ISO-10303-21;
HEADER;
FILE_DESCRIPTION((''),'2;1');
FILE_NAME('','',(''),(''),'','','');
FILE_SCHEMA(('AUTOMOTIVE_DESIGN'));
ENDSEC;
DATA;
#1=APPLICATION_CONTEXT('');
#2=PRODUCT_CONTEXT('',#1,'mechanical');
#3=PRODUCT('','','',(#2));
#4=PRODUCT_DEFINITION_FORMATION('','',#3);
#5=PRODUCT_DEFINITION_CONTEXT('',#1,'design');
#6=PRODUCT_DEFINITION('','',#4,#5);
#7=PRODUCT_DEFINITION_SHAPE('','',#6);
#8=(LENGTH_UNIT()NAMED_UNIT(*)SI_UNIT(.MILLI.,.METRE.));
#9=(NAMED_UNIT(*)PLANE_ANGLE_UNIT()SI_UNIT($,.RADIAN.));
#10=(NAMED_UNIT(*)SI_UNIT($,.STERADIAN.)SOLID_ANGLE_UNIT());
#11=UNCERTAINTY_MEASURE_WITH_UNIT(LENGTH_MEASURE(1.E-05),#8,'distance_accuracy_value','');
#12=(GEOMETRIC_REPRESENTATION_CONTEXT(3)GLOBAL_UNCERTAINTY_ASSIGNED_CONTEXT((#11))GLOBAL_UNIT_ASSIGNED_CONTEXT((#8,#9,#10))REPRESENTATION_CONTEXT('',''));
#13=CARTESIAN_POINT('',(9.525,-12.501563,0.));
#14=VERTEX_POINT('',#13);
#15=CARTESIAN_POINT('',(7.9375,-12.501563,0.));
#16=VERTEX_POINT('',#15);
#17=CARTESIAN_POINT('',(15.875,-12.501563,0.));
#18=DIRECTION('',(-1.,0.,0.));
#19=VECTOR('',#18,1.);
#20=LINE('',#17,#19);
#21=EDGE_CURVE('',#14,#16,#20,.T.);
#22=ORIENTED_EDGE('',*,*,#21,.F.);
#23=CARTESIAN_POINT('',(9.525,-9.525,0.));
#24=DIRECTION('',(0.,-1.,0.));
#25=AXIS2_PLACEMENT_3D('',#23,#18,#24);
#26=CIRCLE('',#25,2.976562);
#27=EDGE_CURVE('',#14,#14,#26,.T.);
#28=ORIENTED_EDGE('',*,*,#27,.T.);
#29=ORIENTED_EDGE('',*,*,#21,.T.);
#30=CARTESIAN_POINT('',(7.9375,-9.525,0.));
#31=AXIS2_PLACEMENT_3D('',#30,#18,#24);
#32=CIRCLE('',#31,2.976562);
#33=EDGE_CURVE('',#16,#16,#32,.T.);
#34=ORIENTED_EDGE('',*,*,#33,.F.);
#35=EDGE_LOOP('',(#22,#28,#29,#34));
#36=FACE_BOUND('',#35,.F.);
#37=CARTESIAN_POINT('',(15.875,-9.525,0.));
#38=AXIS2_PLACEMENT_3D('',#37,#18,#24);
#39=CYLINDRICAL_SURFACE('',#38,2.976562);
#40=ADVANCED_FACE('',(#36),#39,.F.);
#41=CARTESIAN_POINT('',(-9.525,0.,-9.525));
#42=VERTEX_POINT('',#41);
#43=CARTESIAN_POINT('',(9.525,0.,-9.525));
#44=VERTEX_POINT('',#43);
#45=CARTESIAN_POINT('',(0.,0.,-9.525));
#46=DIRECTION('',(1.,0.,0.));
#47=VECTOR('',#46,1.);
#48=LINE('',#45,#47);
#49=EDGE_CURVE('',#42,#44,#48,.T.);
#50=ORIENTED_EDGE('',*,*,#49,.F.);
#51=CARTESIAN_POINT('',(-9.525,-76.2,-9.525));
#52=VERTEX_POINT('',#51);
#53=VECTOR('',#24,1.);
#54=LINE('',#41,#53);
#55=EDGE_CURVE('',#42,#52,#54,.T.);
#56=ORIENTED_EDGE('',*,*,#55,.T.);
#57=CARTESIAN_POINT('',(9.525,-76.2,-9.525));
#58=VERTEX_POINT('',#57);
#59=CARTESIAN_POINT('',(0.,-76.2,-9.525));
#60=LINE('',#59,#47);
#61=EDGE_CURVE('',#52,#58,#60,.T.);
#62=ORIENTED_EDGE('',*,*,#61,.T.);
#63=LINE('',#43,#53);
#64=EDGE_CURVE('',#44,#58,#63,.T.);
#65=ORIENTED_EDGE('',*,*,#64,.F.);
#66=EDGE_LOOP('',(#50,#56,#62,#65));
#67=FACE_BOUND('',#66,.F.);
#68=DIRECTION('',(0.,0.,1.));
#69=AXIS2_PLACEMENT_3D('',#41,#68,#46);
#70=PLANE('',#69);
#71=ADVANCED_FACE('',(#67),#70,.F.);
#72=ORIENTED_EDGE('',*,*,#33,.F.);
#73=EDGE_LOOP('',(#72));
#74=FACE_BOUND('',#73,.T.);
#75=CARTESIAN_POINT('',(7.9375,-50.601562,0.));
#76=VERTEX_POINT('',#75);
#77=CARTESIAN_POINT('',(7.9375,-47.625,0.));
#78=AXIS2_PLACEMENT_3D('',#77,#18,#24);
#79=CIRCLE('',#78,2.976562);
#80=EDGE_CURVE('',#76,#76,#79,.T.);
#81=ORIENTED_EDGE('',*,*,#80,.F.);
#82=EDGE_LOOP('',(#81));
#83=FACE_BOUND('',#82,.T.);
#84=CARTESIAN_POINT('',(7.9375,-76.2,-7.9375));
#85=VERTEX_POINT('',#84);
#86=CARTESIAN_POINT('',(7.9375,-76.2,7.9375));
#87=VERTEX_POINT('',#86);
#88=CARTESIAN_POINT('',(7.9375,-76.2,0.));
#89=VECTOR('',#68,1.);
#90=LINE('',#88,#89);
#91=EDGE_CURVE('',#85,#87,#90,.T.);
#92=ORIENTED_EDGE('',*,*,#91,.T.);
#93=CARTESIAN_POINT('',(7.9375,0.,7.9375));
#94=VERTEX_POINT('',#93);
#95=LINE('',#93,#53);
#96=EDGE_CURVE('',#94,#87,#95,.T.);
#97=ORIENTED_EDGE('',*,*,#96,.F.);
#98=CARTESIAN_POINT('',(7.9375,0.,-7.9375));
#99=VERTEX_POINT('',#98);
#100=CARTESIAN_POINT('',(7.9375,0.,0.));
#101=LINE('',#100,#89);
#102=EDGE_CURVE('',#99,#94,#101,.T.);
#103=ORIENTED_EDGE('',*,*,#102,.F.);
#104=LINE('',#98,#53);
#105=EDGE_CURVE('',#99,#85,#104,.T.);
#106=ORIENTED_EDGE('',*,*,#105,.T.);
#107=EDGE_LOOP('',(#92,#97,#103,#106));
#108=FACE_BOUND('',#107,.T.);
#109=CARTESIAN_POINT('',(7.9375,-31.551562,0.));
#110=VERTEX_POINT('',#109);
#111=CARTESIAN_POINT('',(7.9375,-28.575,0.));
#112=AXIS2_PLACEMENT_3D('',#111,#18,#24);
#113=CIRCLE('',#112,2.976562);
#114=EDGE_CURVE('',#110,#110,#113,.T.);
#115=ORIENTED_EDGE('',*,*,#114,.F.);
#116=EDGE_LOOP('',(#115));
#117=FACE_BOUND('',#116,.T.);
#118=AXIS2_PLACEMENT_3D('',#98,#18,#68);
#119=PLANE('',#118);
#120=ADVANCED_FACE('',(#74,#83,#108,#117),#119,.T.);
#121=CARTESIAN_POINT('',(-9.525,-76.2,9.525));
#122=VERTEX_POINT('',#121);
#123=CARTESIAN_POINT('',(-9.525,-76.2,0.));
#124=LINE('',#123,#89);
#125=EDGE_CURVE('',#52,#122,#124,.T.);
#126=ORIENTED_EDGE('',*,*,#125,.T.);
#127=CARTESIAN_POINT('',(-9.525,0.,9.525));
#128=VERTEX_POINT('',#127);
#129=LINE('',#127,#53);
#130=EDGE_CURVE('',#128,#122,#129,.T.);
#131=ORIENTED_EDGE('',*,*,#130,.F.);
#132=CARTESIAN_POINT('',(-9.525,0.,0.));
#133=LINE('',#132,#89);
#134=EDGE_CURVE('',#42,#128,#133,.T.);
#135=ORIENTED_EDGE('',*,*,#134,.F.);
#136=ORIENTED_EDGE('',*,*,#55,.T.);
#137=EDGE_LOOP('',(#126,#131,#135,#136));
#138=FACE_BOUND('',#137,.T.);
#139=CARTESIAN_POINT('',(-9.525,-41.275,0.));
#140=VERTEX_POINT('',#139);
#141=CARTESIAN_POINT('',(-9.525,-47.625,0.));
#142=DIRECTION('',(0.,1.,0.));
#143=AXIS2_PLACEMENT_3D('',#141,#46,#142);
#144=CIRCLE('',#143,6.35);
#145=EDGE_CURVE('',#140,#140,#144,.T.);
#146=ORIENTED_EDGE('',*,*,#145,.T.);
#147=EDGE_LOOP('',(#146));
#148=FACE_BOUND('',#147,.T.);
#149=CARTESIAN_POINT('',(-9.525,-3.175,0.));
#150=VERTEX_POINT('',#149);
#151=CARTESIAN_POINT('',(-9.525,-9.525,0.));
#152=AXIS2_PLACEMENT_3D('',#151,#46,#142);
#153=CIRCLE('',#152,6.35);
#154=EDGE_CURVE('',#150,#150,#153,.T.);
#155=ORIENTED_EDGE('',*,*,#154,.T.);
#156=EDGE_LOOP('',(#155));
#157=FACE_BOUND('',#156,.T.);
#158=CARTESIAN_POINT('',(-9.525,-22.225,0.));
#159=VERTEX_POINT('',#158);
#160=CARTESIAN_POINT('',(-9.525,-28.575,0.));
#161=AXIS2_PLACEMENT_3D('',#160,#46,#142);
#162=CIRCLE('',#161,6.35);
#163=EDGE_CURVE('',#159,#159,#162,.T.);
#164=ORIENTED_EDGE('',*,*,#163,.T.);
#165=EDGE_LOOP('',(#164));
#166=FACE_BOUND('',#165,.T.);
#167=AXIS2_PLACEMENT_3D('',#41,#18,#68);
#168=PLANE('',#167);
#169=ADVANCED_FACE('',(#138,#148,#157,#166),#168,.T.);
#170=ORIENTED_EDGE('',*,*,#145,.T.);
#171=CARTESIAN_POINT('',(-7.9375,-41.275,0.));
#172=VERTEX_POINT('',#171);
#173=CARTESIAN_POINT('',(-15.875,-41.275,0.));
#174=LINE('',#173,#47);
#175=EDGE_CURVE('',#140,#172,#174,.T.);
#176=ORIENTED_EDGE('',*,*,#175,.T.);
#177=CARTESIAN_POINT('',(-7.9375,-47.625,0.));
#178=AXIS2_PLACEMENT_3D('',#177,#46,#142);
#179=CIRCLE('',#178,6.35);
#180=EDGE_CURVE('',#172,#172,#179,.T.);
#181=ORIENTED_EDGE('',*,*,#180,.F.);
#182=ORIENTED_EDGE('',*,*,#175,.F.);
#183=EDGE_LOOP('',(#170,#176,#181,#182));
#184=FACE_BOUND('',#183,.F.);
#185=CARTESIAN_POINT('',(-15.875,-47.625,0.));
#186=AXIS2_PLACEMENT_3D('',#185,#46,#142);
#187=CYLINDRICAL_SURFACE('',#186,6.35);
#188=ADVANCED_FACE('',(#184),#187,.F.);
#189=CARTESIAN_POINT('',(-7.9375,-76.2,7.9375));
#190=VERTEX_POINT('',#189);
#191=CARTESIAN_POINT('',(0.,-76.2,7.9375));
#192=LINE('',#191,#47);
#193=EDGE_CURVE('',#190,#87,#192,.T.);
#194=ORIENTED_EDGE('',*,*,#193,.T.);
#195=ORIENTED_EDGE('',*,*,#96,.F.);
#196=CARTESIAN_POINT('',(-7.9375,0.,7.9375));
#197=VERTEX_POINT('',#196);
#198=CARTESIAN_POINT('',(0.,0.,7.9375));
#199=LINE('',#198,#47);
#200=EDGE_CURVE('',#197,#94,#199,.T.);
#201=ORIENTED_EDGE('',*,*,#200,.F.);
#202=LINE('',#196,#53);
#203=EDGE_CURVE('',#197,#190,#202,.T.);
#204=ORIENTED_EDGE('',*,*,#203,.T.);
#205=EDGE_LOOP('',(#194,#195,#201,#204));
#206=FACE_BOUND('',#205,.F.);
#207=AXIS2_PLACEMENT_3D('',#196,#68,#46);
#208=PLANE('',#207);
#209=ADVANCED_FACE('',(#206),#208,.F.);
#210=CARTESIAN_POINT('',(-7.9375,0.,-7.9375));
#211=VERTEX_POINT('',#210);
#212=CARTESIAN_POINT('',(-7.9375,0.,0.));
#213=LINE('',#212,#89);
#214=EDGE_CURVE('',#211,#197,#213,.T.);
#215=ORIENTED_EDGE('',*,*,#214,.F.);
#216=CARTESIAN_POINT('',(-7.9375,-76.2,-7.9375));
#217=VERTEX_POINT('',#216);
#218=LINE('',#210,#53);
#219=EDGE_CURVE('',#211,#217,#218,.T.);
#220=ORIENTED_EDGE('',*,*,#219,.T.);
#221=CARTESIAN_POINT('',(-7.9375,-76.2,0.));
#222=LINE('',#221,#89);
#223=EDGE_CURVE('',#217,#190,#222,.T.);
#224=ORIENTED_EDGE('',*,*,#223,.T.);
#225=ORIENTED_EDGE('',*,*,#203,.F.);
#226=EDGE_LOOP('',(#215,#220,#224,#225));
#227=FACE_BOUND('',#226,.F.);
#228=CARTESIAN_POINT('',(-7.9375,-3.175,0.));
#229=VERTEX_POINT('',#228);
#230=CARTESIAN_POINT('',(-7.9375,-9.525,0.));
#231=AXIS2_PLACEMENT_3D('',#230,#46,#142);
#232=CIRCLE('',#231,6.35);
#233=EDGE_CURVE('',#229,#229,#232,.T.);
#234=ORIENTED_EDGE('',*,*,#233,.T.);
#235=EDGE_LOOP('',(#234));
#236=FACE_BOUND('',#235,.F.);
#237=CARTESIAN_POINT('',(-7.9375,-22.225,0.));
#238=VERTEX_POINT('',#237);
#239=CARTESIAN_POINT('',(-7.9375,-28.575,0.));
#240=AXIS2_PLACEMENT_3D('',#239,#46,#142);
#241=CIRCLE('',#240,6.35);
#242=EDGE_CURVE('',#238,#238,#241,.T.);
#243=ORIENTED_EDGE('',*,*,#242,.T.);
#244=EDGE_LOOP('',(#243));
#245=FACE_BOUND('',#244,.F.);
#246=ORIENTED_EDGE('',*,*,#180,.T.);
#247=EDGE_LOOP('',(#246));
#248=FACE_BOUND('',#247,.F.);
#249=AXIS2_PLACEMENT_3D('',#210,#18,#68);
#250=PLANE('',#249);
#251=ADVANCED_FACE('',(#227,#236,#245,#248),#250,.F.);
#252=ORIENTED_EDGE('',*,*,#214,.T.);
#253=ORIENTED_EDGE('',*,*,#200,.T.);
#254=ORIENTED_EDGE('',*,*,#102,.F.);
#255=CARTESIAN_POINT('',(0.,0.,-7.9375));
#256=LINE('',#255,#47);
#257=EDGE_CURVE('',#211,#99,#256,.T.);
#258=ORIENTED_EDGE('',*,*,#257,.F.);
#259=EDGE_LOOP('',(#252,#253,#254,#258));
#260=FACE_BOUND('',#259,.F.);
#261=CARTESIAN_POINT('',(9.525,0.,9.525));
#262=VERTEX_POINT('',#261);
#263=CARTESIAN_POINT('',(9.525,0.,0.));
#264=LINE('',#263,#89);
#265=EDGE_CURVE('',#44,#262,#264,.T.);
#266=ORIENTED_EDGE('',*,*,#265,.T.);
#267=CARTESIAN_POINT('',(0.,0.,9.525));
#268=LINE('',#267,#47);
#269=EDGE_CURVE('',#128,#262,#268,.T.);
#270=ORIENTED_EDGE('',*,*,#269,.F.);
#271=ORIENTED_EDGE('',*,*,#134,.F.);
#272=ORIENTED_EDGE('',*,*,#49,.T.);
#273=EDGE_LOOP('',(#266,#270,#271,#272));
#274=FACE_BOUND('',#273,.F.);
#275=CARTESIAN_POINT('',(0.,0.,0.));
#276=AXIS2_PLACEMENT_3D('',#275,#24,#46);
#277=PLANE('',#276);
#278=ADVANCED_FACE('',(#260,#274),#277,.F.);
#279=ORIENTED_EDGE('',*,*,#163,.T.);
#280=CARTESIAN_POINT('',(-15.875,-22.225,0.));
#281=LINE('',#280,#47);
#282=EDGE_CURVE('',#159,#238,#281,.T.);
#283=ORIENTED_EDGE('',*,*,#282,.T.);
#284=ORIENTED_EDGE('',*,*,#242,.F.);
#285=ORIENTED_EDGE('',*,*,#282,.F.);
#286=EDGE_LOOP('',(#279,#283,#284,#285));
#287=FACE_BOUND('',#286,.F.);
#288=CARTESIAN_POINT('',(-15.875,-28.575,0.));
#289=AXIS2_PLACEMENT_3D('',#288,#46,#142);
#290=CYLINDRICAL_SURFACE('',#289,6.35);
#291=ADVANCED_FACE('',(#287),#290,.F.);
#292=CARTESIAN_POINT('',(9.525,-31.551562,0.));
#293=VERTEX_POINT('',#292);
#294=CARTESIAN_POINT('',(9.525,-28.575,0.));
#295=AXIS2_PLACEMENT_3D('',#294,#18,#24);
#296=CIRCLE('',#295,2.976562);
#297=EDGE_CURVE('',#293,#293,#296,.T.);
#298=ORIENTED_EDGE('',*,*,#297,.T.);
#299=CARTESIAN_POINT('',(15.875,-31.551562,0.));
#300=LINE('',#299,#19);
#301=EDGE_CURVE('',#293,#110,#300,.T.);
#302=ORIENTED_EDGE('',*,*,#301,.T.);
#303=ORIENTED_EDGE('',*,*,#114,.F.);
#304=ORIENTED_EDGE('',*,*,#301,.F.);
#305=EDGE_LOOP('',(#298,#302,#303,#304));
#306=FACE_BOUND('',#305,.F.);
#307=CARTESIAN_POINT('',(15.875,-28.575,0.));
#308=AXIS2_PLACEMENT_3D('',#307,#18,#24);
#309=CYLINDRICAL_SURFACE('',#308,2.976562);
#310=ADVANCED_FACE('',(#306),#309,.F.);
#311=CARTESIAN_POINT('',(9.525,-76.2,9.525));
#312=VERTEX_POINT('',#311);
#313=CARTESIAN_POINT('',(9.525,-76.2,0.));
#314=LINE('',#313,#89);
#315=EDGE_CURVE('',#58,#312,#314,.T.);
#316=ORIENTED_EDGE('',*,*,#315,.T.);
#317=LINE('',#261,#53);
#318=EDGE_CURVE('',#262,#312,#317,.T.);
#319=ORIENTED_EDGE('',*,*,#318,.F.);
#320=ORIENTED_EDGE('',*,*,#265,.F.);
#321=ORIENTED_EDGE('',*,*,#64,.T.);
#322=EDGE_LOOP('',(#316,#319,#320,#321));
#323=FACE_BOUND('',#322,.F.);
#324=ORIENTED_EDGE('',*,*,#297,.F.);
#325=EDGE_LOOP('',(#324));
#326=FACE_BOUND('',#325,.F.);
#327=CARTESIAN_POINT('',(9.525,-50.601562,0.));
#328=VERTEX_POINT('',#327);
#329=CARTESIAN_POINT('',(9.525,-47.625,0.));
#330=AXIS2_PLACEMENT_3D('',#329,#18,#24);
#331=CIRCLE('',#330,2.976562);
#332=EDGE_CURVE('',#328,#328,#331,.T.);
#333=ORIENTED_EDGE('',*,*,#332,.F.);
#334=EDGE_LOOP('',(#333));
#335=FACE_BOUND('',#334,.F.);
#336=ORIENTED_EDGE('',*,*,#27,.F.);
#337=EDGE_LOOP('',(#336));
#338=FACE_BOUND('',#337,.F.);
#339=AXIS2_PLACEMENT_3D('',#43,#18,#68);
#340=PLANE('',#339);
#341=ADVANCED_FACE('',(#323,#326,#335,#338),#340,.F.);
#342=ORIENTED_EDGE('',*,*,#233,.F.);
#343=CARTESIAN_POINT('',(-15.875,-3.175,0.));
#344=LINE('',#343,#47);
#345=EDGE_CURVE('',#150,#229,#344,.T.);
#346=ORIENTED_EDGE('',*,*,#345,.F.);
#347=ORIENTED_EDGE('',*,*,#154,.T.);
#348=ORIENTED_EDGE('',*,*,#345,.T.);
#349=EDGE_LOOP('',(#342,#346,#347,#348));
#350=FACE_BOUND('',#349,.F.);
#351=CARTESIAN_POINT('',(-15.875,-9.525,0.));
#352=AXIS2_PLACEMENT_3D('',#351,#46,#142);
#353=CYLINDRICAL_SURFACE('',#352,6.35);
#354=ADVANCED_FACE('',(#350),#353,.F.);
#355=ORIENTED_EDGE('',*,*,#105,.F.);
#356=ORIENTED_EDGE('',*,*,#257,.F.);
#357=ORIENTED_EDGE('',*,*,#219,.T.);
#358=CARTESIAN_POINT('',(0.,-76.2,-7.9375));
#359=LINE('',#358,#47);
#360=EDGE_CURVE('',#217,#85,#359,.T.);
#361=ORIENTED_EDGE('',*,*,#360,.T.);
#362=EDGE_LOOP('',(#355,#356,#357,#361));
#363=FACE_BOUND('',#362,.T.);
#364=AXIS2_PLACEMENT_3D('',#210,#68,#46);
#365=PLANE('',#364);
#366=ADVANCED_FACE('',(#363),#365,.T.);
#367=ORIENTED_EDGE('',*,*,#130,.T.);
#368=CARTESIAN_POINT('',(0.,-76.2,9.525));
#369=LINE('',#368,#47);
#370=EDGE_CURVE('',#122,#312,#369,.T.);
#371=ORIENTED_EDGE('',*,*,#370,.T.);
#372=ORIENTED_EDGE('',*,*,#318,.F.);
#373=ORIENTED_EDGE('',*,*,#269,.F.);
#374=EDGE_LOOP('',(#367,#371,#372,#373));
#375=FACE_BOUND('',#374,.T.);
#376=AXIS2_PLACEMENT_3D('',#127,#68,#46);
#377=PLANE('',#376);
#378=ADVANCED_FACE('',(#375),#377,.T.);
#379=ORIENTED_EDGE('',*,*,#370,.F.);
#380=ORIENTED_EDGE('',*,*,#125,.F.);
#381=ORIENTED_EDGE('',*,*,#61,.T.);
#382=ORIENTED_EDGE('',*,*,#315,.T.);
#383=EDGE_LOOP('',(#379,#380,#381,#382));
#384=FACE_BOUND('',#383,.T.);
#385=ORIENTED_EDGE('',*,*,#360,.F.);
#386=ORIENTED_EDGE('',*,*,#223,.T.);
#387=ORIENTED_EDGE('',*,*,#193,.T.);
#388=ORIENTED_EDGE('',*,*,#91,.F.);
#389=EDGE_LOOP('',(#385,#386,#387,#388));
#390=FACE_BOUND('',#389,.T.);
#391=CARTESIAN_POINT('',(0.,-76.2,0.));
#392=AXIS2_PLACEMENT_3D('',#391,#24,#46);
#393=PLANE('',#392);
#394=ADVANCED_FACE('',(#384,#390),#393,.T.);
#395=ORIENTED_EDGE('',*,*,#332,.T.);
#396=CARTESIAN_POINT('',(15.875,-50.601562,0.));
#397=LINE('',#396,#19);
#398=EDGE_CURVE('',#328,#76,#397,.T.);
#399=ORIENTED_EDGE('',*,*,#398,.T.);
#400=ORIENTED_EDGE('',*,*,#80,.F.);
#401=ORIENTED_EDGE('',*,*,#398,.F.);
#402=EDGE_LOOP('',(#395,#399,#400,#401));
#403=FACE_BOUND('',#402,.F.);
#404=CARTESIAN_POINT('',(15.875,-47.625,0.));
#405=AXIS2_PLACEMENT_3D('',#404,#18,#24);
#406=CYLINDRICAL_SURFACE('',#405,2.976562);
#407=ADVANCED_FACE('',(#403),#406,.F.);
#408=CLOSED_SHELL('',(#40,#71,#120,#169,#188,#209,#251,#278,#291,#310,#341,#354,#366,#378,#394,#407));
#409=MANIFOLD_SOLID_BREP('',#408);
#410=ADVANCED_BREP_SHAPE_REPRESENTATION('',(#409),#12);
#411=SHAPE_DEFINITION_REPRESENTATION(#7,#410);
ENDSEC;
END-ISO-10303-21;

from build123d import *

# Parameters (mm, degrees)
F0_W     = 19.05
F0_H     = 19.05
F0_W_2   = 15.875
F0_H_2   = 15.875
F1_DEPTH = 76.2
F3_D     = 5.953125
F3_DEPTH = 6.35
F5_D     = 12.7
F5_DEPTH = 6.35


with BuildPart() as f1:
    # F0 (on Front) → F1 (new body)
    with BuildSketch(Plane.XZ):
        Rectangle(F0_W, F0_H)
        Rectangle(F0_W_2, F0_H_2, mode=Mode.SUBTRACT)
    extrude(amount=F1_DEPTH)

    # F3
    with Locations(Plane.YZ.offset(9.525)):
        with Locations((-9.525, 0), (-28.575, 0), (-47.625, 0)):
            Hole(F3_D / 2, depth=F3_DEPTH)

    # F5
    with Locations(Plane(origin=(-9.525, 0, 0), x_dir=(0, -1, 0), z_dir=(-1, 0, 0))):
        with Locations((9.525, 0), (28.575, 0), (47.625, 0)):
            Hole(F5_D / 2, depth=F5_DEPTH)


solid = f1.part
